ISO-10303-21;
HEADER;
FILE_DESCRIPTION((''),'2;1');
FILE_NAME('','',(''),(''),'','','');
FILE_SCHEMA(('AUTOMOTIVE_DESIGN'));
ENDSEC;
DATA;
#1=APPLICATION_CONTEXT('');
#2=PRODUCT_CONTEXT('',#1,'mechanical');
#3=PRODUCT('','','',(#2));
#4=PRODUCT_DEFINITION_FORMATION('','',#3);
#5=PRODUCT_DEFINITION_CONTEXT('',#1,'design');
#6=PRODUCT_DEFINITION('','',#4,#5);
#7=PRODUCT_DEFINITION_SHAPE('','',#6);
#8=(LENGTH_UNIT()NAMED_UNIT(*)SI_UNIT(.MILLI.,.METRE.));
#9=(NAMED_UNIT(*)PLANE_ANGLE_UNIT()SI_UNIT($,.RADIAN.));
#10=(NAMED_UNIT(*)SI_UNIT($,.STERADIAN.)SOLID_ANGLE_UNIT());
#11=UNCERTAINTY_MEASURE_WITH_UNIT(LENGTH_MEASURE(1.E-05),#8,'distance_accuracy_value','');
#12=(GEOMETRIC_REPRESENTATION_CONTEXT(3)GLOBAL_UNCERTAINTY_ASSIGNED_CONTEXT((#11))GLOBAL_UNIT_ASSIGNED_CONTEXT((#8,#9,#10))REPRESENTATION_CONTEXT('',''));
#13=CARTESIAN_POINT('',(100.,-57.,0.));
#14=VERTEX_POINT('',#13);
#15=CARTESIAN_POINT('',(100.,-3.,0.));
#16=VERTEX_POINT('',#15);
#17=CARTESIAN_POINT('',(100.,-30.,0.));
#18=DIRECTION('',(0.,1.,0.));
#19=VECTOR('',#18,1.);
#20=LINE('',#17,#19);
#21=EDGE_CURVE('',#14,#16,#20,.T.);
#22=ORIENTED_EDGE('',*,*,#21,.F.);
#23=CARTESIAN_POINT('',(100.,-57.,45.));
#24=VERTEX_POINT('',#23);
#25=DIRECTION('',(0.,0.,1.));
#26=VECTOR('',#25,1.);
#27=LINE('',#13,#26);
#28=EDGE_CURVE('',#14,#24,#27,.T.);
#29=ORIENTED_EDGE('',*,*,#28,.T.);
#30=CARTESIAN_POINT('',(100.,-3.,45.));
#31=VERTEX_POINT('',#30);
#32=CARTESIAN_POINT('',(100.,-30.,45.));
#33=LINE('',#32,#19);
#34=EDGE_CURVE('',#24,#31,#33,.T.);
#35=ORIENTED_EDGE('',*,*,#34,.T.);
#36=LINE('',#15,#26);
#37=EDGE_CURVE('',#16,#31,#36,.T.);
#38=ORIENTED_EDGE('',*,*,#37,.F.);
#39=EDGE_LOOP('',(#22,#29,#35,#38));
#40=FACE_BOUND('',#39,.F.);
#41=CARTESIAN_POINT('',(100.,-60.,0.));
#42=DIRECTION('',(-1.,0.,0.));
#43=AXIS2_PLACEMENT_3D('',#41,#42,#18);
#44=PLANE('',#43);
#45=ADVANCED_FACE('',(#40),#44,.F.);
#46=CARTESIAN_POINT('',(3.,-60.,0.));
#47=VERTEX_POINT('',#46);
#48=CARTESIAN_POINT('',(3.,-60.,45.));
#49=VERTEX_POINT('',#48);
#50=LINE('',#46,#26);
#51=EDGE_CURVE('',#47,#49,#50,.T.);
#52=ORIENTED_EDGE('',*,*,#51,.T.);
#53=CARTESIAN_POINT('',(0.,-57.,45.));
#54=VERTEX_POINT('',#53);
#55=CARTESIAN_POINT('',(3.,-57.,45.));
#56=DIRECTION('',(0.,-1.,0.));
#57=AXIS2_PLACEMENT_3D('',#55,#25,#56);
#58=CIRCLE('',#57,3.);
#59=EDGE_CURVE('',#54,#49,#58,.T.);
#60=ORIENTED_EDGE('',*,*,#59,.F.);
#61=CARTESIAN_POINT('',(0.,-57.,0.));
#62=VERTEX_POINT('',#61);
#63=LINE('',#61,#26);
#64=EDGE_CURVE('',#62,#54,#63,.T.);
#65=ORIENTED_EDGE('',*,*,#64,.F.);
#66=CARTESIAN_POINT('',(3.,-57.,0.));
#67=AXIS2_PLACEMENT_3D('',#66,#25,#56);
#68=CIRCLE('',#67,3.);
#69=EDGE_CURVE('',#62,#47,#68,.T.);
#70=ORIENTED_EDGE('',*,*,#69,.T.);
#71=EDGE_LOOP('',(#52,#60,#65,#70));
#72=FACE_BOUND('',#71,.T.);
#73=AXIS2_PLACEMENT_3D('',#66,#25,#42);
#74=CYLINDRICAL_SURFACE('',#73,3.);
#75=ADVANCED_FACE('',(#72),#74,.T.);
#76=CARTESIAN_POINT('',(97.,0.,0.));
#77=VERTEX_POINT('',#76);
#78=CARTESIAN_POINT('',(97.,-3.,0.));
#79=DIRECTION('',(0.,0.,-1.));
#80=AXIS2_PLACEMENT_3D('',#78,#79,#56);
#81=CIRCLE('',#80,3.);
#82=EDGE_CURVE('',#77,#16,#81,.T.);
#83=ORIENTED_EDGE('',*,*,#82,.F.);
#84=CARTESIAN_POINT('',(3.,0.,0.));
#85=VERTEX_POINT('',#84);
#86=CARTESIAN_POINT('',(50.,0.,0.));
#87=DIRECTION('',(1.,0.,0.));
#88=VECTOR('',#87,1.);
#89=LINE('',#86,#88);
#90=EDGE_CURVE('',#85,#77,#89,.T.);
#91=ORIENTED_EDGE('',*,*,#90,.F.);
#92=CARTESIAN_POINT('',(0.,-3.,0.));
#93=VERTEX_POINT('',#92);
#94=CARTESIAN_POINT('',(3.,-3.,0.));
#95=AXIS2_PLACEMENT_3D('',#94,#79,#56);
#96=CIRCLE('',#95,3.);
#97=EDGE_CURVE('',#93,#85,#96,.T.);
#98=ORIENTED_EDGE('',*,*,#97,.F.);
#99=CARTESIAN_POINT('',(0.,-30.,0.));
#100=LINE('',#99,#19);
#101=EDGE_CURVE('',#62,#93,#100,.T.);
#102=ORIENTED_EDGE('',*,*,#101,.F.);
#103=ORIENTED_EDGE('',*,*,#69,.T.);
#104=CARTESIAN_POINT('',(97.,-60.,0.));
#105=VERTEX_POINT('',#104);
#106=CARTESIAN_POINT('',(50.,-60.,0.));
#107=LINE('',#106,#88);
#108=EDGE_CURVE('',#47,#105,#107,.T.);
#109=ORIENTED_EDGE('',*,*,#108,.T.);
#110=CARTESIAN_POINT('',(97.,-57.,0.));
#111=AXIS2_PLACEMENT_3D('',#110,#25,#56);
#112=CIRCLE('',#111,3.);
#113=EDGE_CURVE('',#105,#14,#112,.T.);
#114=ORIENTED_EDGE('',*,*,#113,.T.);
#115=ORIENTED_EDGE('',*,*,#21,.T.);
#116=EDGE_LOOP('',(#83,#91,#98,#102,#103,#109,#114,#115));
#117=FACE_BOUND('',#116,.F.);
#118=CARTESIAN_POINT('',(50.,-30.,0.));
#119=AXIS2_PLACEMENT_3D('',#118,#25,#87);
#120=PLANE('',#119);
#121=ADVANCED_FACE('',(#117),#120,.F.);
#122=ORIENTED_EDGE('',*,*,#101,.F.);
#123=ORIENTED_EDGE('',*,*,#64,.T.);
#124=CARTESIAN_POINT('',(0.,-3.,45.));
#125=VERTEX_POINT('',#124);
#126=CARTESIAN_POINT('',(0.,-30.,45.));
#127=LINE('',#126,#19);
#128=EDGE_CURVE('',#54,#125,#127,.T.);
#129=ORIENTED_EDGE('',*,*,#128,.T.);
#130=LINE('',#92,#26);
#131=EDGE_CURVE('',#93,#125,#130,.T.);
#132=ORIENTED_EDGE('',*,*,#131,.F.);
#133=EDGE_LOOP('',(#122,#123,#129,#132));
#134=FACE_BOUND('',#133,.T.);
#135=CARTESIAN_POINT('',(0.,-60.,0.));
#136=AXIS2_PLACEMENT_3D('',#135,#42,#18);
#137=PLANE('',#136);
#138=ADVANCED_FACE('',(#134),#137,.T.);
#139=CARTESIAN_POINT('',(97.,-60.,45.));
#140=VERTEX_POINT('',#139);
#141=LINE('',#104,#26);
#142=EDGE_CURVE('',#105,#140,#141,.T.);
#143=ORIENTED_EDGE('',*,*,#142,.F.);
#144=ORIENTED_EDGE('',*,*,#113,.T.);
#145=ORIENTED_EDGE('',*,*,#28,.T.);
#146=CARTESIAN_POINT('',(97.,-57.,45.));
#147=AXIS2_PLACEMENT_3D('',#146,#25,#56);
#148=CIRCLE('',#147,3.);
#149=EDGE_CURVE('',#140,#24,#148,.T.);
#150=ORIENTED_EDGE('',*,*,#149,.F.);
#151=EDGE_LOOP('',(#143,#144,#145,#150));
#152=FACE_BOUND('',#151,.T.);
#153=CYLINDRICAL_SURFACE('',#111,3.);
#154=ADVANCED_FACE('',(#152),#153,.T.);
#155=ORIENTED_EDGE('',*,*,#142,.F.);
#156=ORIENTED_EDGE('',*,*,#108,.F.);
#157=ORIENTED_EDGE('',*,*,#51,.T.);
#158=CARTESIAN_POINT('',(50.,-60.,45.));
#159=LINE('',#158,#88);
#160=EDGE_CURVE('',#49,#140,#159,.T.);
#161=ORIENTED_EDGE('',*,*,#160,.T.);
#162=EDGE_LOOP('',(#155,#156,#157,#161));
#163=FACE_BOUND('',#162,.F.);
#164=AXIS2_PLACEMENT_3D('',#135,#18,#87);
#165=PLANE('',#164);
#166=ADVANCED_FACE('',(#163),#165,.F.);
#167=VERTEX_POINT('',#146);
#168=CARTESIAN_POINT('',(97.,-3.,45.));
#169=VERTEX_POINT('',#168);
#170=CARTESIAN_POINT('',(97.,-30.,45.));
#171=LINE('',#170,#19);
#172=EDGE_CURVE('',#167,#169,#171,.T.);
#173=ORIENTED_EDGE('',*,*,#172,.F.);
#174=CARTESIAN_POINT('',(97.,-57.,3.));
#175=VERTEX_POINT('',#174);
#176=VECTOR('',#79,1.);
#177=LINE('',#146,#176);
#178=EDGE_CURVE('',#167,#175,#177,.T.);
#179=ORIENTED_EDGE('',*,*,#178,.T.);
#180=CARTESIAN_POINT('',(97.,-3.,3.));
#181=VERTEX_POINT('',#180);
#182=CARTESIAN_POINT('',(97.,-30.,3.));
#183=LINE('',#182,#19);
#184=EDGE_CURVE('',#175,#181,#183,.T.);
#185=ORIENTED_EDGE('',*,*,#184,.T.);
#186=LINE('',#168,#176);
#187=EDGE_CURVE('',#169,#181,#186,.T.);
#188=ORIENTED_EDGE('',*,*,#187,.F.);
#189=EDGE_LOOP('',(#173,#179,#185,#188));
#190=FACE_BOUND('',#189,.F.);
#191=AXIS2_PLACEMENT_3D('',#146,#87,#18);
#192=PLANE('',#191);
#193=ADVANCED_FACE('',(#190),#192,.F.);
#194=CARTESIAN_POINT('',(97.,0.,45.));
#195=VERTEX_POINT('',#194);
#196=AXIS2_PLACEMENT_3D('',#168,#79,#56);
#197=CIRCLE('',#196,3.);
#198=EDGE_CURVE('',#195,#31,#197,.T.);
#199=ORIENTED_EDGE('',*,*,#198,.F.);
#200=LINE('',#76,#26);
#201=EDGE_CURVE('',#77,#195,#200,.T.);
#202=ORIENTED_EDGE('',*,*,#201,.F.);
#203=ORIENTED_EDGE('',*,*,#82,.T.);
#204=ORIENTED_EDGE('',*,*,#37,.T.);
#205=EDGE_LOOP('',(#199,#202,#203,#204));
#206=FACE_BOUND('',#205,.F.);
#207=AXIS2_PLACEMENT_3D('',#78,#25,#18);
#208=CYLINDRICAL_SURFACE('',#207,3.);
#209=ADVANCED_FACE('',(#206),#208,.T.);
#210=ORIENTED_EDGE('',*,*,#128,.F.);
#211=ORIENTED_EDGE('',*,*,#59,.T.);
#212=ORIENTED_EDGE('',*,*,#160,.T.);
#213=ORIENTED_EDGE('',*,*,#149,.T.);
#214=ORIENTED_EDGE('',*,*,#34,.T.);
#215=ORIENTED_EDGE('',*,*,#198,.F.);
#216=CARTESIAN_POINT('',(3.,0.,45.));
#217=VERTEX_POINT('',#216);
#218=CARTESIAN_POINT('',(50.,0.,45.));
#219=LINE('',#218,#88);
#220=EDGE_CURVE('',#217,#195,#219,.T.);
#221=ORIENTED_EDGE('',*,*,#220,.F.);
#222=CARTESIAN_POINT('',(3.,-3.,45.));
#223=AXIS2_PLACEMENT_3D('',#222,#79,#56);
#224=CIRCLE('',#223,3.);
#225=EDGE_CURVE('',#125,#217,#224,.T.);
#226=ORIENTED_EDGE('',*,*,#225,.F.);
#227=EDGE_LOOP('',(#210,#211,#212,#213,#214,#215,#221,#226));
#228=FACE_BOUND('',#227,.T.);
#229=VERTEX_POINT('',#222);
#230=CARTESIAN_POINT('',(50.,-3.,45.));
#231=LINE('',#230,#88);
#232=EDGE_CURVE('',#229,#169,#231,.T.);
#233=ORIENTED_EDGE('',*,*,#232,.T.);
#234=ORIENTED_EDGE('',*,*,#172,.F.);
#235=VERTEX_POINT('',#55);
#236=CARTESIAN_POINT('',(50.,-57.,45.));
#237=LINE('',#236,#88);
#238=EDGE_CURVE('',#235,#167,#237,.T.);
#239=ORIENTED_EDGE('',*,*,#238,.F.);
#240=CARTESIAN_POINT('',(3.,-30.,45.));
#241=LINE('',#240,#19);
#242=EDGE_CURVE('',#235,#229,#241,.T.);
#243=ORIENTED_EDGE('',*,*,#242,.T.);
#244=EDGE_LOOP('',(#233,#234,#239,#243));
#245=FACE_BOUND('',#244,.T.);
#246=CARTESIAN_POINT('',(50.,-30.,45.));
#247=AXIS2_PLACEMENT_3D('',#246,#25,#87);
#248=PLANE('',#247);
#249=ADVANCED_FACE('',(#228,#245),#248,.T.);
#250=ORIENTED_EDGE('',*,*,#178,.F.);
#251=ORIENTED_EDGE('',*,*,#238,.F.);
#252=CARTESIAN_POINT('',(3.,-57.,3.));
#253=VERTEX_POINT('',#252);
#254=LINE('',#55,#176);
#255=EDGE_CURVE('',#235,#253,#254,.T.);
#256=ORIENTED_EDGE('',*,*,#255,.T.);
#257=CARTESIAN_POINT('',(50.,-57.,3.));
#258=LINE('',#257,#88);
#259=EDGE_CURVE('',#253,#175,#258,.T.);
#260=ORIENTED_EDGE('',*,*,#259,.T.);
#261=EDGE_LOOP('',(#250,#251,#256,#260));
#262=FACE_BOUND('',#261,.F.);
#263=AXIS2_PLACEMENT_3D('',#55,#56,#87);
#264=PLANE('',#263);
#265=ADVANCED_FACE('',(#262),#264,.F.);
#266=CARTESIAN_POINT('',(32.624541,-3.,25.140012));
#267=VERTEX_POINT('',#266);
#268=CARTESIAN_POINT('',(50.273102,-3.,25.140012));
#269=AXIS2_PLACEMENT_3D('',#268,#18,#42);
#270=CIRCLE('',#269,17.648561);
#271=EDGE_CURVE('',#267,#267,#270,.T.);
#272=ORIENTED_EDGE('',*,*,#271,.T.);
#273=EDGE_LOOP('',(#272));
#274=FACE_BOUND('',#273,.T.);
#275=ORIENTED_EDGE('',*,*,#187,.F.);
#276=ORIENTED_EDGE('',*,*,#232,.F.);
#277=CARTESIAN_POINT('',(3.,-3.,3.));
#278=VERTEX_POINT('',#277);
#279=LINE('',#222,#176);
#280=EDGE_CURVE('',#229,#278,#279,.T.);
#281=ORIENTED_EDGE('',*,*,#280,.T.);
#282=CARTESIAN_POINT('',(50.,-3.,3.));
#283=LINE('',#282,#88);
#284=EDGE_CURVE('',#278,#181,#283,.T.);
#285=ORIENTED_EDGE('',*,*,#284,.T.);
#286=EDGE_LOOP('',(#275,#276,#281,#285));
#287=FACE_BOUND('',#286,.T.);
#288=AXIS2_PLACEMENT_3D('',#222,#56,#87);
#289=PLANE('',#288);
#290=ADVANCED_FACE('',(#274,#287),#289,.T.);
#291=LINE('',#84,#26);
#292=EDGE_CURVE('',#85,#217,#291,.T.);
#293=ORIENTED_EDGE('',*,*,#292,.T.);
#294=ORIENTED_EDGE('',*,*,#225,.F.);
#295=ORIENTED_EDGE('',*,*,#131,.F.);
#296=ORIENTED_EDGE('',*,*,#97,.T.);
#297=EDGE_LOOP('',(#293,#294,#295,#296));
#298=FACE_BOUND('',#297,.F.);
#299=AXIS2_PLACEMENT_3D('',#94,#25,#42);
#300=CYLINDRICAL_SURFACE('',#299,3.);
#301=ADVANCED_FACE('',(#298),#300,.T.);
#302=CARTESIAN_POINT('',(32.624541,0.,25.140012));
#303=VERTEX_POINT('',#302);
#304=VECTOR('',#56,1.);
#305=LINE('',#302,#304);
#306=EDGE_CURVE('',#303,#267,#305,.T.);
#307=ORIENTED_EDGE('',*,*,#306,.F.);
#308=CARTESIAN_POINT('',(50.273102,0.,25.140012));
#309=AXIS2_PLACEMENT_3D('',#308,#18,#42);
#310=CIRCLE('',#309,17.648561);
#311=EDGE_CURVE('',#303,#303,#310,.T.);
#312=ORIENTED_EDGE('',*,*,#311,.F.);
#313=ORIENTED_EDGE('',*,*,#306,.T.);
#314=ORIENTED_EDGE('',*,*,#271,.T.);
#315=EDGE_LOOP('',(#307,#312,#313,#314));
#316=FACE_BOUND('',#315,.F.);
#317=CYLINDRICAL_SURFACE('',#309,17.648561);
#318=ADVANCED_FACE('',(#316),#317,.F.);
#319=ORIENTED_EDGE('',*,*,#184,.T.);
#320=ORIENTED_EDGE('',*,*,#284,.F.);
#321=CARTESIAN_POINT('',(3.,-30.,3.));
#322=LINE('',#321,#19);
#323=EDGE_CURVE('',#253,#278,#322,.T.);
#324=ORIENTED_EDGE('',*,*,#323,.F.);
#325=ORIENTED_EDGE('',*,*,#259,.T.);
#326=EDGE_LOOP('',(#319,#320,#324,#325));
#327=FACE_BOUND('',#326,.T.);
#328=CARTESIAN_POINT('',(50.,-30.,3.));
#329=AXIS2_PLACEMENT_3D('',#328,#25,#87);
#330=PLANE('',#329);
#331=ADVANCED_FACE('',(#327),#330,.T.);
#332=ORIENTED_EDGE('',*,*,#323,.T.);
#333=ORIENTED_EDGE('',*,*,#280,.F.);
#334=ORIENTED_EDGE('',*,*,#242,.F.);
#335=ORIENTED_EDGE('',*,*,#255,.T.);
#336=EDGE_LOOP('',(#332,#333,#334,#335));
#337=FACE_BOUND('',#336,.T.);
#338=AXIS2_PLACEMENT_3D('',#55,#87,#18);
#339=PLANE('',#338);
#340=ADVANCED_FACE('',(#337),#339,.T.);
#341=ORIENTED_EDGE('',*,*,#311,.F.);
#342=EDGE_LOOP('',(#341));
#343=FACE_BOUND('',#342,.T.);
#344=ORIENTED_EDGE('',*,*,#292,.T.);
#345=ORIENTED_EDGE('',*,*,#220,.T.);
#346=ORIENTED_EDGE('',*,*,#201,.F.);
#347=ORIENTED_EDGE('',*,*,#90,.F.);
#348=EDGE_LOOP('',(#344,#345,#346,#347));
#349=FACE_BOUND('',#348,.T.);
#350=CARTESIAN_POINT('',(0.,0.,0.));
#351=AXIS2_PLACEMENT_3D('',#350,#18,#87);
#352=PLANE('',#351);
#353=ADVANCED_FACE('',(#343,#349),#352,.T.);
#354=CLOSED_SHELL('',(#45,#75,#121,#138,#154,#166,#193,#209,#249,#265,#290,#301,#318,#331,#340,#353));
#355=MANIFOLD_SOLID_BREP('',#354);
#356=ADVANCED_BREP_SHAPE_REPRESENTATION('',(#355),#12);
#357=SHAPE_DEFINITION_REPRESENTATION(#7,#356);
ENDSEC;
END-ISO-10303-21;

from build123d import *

# Parameters (mm, degrees)
F0_W     = 100
F0_H     = 60
F1_DEPTH = 45
F2_W     = 94
F2_H     = 54
F3_DEPTH = 42
F4_R     = 3
F5_R     = 17.648561216
F6_DEPTH = 25


with BuildPart() as f1:
    # F0 (on Top) → F1 (new body)
    with BuildSketch(Plane.XY):
        with Locations((50, -30)):
            Rectangle(F0_W, F0_H)
    extrude(amount=F1_DEPTH)

    # F2 (on face) → F3 (cut, through all)
    with BuildSketch(Plane.XY.offset(45)):
        with Locations((50, -30)):
            Rectangle(F2_W, F2_H)
    extrude(amount=-F3_DEPTH, mode=Mode.SUBTRACT)

    # F4
    f4_edges = [f1.edges().sort_by_distance(p)[0] for p in [
        (100, -60, 22.5),
        (100, 0, 22.5),
        (0, 0, 22.5),
        (0, -60, 22.5),
    ]]
    fillet(f4_edges, radius=F4_R)

    # F5 (on face) → F6 (cut)
    with BuildSketch(Plane(origin=(0, 0, 0), x_dir=(-1, 0, 0), z_dir=(0, 1, 0))):
        with Locations((-50.2731017768, 25.1400116831)):
            Circle(F5_R)
    extrude(amount=-F6_DEPTH, mode=Mode.SUBTRACT)


solid = f1.part
